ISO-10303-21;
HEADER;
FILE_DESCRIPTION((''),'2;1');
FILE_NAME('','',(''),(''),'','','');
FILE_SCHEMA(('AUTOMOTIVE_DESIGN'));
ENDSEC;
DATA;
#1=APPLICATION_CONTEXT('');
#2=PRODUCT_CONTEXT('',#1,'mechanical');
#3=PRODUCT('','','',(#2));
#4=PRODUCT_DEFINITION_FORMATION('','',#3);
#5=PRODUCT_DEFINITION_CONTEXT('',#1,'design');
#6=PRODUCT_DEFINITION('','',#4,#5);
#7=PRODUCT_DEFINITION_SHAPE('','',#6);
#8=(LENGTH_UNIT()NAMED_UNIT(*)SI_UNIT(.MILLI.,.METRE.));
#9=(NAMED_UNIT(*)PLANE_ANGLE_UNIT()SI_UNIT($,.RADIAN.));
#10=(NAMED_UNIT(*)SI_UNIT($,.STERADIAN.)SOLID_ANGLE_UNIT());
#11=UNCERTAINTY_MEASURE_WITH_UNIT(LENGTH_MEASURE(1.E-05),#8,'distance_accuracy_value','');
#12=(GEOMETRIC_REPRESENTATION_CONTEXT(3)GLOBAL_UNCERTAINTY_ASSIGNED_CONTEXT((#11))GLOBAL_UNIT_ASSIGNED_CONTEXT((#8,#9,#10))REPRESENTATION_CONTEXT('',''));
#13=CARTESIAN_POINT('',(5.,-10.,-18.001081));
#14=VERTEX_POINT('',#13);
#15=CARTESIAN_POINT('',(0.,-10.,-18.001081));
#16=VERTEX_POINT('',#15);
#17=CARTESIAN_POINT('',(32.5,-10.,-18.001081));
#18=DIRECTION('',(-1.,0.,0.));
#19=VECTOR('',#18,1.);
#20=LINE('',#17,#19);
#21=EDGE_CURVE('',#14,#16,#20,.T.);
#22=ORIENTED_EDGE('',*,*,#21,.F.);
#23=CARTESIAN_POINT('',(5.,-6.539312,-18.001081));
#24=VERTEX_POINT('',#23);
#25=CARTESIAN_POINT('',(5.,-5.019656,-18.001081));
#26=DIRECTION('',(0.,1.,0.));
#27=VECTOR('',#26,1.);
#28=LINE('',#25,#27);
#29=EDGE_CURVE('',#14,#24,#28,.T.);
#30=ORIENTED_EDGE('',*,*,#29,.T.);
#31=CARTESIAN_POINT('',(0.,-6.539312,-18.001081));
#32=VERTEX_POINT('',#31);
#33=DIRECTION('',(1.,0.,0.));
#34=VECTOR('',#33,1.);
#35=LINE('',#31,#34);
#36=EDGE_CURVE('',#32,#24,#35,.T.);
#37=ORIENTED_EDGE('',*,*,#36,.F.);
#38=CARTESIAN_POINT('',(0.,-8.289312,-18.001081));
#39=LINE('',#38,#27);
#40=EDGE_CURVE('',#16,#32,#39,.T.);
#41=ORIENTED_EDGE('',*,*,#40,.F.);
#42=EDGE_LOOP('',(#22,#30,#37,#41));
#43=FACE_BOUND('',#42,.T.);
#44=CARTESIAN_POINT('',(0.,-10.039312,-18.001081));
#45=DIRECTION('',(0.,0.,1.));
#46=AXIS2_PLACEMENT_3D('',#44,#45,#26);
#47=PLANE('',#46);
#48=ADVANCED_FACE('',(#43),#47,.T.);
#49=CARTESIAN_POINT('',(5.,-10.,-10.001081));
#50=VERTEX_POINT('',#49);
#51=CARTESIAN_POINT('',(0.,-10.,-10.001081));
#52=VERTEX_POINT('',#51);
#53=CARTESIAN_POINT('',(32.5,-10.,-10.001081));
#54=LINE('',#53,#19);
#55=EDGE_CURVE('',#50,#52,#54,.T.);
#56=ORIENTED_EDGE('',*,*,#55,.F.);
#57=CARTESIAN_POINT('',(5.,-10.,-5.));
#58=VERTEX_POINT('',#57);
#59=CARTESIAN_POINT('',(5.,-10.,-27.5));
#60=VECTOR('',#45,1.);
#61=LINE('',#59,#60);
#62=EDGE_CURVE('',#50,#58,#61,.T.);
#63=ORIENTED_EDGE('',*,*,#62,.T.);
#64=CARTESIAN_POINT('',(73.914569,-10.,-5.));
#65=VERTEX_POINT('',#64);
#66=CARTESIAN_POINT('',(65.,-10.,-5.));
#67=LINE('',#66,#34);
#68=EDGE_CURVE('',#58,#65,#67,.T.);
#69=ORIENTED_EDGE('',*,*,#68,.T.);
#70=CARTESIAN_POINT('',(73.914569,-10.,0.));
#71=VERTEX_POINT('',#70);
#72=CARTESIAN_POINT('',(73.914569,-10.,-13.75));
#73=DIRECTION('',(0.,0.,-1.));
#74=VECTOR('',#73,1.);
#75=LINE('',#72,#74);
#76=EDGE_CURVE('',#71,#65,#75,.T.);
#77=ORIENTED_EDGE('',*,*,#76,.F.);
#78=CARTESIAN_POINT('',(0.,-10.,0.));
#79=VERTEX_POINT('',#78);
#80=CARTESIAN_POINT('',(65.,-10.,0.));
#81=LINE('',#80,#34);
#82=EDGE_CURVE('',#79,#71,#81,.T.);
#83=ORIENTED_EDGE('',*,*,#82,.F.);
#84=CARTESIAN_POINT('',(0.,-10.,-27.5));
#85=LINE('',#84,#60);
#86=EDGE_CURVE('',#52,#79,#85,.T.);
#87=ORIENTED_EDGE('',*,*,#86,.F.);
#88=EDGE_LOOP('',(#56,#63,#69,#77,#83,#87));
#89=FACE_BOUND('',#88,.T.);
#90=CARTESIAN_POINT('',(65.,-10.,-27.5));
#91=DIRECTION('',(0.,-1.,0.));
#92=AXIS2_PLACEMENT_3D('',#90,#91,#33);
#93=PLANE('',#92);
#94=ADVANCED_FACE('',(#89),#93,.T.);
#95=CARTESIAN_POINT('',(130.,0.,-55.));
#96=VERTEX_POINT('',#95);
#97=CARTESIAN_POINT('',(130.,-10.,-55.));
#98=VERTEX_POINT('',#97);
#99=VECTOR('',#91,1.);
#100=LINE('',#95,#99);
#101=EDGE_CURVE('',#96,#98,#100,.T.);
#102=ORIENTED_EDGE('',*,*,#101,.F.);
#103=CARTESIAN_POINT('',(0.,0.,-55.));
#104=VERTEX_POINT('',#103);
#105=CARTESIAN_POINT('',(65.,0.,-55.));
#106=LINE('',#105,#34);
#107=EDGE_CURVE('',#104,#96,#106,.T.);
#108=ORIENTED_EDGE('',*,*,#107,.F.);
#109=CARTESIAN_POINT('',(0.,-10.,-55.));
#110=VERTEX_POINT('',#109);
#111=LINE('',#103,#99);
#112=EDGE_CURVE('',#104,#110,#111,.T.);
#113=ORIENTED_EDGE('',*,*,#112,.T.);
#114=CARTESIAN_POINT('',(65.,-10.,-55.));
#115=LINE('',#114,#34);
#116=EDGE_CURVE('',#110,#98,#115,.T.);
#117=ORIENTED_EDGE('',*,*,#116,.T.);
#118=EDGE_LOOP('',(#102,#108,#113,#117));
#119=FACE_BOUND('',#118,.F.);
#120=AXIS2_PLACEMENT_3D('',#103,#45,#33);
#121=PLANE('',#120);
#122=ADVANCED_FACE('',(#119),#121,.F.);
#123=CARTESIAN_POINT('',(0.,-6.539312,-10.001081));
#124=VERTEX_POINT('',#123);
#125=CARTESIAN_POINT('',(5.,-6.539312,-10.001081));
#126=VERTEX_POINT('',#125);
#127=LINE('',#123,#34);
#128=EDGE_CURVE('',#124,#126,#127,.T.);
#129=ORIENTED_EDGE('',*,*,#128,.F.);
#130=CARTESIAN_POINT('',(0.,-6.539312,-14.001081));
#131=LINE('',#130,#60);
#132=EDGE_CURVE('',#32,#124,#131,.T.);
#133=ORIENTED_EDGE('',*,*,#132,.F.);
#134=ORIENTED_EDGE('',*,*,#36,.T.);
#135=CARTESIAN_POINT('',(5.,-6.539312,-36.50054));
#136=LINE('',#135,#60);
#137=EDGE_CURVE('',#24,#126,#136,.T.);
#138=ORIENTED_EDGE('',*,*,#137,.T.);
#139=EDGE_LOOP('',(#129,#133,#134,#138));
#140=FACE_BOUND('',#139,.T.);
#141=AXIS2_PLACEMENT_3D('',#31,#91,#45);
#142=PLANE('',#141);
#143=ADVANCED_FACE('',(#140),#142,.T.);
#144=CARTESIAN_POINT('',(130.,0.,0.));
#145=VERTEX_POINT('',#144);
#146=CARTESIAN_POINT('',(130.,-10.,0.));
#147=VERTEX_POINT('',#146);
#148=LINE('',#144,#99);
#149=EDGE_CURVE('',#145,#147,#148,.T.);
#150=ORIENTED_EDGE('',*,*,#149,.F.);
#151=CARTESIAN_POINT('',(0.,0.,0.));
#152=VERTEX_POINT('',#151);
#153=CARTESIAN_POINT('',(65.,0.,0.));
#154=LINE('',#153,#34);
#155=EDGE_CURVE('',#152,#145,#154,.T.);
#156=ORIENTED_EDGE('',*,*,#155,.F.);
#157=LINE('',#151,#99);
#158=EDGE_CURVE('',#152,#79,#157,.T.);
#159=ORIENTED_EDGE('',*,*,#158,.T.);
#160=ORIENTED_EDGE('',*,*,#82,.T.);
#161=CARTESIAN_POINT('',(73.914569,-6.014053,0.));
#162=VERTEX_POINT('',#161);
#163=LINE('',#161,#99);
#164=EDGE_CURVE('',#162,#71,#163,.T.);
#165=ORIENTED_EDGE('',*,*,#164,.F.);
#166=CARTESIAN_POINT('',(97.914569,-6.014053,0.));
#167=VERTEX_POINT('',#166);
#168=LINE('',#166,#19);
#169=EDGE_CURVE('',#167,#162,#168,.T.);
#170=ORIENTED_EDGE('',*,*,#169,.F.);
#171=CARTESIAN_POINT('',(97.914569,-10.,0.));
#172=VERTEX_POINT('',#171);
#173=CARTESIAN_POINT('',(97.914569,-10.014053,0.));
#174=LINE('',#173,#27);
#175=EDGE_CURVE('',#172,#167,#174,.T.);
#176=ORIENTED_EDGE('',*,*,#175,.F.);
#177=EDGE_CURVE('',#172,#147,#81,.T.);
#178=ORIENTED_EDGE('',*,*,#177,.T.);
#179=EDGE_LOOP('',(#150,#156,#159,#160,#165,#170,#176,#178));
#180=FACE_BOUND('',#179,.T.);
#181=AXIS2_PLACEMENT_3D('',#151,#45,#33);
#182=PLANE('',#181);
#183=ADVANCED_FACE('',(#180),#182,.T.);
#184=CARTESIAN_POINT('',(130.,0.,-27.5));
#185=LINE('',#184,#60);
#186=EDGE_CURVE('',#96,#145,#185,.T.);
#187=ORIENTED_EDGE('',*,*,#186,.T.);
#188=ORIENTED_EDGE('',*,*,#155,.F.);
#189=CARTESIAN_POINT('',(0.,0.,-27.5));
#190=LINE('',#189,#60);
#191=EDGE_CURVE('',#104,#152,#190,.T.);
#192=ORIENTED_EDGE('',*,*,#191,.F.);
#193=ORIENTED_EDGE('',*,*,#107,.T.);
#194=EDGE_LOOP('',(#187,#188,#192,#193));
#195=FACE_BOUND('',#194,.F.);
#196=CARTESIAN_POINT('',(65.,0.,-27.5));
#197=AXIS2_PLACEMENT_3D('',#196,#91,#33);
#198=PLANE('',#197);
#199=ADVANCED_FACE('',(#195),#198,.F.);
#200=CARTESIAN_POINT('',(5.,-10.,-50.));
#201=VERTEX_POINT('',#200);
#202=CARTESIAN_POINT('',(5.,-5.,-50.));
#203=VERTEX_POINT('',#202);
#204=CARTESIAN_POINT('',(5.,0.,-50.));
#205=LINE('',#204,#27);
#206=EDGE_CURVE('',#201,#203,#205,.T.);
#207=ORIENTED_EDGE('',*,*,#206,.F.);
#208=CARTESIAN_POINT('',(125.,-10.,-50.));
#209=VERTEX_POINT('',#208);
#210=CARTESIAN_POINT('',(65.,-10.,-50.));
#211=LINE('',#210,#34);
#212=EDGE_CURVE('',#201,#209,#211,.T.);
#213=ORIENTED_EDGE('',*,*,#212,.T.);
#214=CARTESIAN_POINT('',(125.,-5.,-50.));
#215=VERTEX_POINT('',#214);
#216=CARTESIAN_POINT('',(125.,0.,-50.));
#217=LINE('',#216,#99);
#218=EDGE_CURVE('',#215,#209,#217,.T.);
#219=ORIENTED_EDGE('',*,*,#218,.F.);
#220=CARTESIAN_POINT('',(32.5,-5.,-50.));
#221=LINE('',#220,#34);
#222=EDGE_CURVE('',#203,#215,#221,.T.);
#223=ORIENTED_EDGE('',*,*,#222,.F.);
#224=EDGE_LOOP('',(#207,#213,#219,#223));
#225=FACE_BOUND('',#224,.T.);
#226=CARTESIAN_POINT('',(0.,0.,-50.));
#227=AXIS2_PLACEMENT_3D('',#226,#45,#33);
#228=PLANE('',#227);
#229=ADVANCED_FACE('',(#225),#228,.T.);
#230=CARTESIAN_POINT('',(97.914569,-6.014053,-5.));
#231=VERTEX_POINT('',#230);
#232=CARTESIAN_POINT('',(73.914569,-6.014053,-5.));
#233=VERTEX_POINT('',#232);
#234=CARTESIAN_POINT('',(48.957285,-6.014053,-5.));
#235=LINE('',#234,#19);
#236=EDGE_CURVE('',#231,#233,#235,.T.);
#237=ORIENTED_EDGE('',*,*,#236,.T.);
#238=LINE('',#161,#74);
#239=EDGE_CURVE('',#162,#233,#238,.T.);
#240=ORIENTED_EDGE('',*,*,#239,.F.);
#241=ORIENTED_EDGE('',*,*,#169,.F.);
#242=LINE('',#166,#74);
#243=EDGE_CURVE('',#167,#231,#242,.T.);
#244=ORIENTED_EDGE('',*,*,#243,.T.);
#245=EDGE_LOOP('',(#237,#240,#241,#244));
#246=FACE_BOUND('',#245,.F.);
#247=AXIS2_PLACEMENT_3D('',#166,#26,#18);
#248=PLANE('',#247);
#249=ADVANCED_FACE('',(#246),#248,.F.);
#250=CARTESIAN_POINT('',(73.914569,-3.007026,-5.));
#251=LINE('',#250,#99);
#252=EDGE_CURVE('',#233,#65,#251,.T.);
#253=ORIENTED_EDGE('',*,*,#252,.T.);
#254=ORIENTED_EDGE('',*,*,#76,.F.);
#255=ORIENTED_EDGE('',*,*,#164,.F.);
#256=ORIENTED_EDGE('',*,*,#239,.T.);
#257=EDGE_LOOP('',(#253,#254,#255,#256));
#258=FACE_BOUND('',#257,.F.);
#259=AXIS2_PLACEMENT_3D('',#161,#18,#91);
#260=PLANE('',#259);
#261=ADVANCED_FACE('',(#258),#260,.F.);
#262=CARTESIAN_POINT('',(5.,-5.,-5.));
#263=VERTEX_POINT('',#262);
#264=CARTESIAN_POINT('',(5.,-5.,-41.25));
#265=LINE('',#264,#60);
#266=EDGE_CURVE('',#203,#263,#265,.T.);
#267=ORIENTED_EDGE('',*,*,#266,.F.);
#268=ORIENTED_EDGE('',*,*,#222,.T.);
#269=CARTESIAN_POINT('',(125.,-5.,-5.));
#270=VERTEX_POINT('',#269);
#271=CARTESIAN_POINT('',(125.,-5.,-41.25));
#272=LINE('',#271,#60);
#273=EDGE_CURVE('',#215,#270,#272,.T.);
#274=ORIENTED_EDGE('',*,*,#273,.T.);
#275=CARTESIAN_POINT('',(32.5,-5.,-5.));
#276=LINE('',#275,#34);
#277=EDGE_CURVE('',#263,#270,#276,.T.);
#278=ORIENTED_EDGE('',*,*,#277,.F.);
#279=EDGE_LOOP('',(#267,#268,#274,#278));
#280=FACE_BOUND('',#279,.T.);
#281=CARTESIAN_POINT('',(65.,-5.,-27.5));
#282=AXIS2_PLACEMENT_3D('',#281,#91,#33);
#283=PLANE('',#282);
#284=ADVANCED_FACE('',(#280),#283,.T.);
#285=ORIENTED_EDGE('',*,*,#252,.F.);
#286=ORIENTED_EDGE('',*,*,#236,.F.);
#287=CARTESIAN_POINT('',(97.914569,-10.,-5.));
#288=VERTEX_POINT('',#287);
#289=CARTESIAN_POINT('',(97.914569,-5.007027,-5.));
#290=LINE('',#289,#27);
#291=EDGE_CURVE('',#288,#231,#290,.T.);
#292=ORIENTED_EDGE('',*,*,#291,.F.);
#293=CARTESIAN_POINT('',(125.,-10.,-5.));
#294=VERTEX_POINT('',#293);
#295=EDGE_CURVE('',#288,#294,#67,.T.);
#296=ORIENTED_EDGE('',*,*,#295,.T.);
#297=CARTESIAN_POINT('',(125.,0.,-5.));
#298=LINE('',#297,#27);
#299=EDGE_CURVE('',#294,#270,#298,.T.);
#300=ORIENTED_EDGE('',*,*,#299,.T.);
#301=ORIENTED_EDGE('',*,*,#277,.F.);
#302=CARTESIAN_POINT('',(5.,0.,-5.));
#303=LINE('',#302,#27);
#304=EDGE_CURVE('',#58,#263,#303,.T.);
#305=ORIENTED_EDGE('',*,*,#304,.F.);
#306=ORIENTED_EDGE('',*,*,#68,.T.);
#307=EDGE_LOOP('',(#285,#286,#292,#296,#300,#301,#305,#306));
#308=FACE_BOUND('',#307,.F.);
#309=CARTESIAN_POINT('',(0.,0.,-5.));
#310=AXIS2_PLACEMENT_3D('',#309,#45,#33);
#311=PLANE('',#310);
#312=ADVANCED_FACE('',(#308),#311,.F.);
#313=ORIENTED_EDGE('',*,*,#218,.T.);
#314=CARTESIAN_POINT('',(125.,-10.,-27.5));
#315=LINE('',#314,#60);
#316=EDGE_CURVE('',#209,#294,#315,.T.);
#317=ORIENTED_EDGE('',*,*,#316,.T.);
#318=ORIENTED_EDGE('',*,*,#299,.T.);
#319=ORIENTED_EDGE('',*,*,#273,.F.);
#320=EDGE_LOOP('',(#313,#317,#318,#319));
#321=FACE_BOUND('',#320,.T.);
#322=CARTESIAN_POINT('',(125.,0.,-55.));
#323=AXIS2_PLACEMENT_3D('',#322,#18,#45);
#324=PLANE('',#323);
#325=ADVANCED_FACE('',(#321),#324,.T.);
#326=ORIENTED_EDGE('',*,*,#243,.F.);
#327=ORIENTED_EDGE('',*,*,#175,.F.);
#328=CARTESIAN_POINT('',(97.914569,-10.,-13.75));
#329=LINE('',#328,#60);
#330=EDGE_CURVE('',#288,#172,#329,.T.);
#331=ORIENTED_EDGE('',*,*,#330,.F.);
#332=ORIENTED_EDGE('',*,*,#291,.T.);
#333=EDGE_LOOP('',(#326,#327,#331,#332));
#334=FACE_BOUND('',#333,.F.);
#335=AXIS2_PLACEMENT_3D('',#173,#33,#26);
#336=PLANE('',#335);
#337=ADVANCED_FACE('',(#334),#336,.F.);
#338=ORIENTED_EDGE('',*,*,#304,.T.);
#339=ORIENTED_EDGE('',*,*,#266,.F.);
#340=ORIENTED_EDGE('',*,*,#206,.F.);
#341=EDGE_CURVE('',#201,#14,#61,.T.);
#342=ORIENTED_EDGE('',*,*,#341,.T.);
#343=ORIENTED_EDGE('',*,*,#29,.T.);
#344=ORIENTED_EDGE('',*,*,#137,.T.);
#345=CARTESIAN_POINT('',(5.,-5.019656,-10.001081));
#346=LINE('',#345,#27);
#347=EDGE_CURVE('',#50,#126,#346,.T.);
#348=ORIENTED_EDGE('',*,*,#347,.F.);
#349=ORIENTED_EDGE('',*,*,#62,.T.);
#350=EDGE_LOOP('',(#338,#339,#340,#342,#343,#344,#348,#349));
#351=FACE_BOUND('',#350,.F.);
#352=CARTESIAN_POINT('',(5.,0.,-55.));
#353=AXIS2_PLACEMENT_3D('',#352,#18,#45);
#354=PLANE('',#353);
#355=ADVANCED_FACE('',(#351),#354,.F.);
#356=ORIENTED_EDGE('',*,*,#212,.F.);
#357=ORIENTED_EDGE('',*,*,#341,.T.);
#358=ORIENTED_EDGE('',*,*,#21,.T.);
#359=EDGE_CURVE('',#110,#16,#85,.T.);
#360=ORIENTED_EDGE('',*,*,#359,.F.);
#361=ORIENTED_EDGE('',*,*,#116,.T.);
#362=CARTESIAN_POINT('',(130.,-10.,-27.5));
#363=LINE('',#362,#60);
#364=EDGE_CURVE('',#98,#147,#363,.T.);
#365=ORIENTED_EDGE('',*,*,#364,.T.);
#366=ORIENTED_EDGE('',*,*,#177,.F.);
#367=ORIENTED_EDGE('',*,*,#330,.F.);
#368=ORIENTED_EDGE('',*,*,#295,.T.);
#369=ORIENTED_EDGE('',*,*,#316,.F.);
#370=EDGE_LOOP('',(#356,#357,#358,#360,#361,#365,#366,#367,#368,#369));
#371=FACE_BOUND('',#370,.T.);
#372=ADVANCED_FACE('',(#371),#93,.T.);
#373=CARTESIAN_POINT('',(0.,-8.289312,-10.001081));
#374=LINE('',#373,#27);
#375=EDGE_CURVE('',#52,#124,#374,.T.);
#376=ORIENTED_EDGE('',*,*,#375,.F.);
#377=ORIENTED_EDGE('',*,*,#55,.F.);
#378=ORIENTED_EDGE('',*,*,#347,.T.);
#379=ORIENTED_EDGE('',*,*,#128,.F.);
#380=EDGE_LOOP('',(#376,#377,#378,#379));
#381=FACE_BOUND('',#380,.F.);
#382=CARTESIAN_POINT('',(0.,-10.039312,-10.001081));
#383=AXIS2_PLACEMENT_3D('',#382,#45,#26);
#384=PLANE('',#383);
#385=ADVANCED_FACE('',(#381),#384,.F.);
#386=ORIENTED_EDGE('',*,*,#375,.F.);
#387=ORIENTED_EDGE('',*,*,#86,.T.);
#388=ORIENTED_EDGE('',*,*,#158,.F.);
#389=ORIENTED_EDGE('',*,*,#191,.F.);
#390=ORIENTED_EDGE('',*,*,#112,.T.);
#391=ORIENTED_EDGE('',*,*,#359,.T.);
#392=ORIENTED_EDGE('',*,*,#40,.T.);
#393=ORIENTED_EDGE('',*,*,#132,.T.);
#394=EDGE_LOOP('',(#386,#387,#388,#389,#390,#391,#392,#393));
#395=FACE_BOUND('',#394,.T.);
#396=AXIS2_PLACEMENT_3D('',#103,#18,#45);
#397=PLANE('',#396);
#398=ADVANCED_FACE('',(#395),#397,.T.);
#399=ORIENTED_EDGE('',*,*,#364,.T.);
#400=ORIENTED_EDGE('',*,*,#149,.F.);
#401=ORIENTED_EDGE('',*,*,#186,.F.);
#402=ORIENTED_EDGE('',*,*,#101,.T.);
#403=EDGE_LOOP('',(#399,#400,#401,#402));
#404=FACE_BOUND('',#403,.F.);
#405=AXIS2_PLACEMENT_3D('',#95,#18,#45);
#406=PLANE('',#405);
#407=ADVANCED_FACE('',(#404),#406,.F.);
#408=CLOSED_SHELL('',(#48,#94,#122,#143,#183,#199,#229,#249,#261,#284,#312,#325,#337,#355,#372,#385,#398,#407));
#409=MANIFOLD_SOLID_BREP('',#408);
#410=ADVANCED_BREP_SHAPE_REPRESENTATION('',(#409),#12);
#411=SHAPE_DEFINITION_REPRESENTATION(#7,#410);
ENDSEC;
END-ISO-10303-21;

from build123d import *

# Parameters (mm, degrees)
F0_W     = 130
F0_H     = 55
F1_DEPTH = 10
F2_T     = -5
F4_DEPTH = 11.684
F5_W     = 3.5
F5_H     = 8
F6_DEPTH = 6.7818


with BuildPart() as f1:
    # F0 (on Front) → F1 (new body)
    with BuildSketch(Plane.XZ):
        with Locations((65, -27.5)):
            Rectangle(F0_W, F0_H)
    extrude(amount=F1_DEPTH)

    # F2
    f2_openings = [f1.faces().sort_by_distance(p)[0] for p in [
        (65, -10, -27.5),
    ]]
    offset(amount=F2_T, openings=f2_openings)

    # F3 (on Top) → F4 (cut)
    with BuildSketch(Plane.XY):
        Polygon((73.914569, -6.014053), (73.914569, -10.014053), (97.914569, -10.014053), (97.914569, -9.998512), (97.914569, -6.014053), align=None)
    extrude(amount=-F4_DEPTH, mode=Mode.SUBTRACT)

    # F5 (on Right) → F6 (cut)
    with BuildSketch(Plane.YZ):
        with Locations((-8.289312, -14.001081)):
            Rectangle(F5_W, F5_H)
    extrude(amount=F6_DEPTH, mode=Mode.SUBTRACT)


solid = f1.part
